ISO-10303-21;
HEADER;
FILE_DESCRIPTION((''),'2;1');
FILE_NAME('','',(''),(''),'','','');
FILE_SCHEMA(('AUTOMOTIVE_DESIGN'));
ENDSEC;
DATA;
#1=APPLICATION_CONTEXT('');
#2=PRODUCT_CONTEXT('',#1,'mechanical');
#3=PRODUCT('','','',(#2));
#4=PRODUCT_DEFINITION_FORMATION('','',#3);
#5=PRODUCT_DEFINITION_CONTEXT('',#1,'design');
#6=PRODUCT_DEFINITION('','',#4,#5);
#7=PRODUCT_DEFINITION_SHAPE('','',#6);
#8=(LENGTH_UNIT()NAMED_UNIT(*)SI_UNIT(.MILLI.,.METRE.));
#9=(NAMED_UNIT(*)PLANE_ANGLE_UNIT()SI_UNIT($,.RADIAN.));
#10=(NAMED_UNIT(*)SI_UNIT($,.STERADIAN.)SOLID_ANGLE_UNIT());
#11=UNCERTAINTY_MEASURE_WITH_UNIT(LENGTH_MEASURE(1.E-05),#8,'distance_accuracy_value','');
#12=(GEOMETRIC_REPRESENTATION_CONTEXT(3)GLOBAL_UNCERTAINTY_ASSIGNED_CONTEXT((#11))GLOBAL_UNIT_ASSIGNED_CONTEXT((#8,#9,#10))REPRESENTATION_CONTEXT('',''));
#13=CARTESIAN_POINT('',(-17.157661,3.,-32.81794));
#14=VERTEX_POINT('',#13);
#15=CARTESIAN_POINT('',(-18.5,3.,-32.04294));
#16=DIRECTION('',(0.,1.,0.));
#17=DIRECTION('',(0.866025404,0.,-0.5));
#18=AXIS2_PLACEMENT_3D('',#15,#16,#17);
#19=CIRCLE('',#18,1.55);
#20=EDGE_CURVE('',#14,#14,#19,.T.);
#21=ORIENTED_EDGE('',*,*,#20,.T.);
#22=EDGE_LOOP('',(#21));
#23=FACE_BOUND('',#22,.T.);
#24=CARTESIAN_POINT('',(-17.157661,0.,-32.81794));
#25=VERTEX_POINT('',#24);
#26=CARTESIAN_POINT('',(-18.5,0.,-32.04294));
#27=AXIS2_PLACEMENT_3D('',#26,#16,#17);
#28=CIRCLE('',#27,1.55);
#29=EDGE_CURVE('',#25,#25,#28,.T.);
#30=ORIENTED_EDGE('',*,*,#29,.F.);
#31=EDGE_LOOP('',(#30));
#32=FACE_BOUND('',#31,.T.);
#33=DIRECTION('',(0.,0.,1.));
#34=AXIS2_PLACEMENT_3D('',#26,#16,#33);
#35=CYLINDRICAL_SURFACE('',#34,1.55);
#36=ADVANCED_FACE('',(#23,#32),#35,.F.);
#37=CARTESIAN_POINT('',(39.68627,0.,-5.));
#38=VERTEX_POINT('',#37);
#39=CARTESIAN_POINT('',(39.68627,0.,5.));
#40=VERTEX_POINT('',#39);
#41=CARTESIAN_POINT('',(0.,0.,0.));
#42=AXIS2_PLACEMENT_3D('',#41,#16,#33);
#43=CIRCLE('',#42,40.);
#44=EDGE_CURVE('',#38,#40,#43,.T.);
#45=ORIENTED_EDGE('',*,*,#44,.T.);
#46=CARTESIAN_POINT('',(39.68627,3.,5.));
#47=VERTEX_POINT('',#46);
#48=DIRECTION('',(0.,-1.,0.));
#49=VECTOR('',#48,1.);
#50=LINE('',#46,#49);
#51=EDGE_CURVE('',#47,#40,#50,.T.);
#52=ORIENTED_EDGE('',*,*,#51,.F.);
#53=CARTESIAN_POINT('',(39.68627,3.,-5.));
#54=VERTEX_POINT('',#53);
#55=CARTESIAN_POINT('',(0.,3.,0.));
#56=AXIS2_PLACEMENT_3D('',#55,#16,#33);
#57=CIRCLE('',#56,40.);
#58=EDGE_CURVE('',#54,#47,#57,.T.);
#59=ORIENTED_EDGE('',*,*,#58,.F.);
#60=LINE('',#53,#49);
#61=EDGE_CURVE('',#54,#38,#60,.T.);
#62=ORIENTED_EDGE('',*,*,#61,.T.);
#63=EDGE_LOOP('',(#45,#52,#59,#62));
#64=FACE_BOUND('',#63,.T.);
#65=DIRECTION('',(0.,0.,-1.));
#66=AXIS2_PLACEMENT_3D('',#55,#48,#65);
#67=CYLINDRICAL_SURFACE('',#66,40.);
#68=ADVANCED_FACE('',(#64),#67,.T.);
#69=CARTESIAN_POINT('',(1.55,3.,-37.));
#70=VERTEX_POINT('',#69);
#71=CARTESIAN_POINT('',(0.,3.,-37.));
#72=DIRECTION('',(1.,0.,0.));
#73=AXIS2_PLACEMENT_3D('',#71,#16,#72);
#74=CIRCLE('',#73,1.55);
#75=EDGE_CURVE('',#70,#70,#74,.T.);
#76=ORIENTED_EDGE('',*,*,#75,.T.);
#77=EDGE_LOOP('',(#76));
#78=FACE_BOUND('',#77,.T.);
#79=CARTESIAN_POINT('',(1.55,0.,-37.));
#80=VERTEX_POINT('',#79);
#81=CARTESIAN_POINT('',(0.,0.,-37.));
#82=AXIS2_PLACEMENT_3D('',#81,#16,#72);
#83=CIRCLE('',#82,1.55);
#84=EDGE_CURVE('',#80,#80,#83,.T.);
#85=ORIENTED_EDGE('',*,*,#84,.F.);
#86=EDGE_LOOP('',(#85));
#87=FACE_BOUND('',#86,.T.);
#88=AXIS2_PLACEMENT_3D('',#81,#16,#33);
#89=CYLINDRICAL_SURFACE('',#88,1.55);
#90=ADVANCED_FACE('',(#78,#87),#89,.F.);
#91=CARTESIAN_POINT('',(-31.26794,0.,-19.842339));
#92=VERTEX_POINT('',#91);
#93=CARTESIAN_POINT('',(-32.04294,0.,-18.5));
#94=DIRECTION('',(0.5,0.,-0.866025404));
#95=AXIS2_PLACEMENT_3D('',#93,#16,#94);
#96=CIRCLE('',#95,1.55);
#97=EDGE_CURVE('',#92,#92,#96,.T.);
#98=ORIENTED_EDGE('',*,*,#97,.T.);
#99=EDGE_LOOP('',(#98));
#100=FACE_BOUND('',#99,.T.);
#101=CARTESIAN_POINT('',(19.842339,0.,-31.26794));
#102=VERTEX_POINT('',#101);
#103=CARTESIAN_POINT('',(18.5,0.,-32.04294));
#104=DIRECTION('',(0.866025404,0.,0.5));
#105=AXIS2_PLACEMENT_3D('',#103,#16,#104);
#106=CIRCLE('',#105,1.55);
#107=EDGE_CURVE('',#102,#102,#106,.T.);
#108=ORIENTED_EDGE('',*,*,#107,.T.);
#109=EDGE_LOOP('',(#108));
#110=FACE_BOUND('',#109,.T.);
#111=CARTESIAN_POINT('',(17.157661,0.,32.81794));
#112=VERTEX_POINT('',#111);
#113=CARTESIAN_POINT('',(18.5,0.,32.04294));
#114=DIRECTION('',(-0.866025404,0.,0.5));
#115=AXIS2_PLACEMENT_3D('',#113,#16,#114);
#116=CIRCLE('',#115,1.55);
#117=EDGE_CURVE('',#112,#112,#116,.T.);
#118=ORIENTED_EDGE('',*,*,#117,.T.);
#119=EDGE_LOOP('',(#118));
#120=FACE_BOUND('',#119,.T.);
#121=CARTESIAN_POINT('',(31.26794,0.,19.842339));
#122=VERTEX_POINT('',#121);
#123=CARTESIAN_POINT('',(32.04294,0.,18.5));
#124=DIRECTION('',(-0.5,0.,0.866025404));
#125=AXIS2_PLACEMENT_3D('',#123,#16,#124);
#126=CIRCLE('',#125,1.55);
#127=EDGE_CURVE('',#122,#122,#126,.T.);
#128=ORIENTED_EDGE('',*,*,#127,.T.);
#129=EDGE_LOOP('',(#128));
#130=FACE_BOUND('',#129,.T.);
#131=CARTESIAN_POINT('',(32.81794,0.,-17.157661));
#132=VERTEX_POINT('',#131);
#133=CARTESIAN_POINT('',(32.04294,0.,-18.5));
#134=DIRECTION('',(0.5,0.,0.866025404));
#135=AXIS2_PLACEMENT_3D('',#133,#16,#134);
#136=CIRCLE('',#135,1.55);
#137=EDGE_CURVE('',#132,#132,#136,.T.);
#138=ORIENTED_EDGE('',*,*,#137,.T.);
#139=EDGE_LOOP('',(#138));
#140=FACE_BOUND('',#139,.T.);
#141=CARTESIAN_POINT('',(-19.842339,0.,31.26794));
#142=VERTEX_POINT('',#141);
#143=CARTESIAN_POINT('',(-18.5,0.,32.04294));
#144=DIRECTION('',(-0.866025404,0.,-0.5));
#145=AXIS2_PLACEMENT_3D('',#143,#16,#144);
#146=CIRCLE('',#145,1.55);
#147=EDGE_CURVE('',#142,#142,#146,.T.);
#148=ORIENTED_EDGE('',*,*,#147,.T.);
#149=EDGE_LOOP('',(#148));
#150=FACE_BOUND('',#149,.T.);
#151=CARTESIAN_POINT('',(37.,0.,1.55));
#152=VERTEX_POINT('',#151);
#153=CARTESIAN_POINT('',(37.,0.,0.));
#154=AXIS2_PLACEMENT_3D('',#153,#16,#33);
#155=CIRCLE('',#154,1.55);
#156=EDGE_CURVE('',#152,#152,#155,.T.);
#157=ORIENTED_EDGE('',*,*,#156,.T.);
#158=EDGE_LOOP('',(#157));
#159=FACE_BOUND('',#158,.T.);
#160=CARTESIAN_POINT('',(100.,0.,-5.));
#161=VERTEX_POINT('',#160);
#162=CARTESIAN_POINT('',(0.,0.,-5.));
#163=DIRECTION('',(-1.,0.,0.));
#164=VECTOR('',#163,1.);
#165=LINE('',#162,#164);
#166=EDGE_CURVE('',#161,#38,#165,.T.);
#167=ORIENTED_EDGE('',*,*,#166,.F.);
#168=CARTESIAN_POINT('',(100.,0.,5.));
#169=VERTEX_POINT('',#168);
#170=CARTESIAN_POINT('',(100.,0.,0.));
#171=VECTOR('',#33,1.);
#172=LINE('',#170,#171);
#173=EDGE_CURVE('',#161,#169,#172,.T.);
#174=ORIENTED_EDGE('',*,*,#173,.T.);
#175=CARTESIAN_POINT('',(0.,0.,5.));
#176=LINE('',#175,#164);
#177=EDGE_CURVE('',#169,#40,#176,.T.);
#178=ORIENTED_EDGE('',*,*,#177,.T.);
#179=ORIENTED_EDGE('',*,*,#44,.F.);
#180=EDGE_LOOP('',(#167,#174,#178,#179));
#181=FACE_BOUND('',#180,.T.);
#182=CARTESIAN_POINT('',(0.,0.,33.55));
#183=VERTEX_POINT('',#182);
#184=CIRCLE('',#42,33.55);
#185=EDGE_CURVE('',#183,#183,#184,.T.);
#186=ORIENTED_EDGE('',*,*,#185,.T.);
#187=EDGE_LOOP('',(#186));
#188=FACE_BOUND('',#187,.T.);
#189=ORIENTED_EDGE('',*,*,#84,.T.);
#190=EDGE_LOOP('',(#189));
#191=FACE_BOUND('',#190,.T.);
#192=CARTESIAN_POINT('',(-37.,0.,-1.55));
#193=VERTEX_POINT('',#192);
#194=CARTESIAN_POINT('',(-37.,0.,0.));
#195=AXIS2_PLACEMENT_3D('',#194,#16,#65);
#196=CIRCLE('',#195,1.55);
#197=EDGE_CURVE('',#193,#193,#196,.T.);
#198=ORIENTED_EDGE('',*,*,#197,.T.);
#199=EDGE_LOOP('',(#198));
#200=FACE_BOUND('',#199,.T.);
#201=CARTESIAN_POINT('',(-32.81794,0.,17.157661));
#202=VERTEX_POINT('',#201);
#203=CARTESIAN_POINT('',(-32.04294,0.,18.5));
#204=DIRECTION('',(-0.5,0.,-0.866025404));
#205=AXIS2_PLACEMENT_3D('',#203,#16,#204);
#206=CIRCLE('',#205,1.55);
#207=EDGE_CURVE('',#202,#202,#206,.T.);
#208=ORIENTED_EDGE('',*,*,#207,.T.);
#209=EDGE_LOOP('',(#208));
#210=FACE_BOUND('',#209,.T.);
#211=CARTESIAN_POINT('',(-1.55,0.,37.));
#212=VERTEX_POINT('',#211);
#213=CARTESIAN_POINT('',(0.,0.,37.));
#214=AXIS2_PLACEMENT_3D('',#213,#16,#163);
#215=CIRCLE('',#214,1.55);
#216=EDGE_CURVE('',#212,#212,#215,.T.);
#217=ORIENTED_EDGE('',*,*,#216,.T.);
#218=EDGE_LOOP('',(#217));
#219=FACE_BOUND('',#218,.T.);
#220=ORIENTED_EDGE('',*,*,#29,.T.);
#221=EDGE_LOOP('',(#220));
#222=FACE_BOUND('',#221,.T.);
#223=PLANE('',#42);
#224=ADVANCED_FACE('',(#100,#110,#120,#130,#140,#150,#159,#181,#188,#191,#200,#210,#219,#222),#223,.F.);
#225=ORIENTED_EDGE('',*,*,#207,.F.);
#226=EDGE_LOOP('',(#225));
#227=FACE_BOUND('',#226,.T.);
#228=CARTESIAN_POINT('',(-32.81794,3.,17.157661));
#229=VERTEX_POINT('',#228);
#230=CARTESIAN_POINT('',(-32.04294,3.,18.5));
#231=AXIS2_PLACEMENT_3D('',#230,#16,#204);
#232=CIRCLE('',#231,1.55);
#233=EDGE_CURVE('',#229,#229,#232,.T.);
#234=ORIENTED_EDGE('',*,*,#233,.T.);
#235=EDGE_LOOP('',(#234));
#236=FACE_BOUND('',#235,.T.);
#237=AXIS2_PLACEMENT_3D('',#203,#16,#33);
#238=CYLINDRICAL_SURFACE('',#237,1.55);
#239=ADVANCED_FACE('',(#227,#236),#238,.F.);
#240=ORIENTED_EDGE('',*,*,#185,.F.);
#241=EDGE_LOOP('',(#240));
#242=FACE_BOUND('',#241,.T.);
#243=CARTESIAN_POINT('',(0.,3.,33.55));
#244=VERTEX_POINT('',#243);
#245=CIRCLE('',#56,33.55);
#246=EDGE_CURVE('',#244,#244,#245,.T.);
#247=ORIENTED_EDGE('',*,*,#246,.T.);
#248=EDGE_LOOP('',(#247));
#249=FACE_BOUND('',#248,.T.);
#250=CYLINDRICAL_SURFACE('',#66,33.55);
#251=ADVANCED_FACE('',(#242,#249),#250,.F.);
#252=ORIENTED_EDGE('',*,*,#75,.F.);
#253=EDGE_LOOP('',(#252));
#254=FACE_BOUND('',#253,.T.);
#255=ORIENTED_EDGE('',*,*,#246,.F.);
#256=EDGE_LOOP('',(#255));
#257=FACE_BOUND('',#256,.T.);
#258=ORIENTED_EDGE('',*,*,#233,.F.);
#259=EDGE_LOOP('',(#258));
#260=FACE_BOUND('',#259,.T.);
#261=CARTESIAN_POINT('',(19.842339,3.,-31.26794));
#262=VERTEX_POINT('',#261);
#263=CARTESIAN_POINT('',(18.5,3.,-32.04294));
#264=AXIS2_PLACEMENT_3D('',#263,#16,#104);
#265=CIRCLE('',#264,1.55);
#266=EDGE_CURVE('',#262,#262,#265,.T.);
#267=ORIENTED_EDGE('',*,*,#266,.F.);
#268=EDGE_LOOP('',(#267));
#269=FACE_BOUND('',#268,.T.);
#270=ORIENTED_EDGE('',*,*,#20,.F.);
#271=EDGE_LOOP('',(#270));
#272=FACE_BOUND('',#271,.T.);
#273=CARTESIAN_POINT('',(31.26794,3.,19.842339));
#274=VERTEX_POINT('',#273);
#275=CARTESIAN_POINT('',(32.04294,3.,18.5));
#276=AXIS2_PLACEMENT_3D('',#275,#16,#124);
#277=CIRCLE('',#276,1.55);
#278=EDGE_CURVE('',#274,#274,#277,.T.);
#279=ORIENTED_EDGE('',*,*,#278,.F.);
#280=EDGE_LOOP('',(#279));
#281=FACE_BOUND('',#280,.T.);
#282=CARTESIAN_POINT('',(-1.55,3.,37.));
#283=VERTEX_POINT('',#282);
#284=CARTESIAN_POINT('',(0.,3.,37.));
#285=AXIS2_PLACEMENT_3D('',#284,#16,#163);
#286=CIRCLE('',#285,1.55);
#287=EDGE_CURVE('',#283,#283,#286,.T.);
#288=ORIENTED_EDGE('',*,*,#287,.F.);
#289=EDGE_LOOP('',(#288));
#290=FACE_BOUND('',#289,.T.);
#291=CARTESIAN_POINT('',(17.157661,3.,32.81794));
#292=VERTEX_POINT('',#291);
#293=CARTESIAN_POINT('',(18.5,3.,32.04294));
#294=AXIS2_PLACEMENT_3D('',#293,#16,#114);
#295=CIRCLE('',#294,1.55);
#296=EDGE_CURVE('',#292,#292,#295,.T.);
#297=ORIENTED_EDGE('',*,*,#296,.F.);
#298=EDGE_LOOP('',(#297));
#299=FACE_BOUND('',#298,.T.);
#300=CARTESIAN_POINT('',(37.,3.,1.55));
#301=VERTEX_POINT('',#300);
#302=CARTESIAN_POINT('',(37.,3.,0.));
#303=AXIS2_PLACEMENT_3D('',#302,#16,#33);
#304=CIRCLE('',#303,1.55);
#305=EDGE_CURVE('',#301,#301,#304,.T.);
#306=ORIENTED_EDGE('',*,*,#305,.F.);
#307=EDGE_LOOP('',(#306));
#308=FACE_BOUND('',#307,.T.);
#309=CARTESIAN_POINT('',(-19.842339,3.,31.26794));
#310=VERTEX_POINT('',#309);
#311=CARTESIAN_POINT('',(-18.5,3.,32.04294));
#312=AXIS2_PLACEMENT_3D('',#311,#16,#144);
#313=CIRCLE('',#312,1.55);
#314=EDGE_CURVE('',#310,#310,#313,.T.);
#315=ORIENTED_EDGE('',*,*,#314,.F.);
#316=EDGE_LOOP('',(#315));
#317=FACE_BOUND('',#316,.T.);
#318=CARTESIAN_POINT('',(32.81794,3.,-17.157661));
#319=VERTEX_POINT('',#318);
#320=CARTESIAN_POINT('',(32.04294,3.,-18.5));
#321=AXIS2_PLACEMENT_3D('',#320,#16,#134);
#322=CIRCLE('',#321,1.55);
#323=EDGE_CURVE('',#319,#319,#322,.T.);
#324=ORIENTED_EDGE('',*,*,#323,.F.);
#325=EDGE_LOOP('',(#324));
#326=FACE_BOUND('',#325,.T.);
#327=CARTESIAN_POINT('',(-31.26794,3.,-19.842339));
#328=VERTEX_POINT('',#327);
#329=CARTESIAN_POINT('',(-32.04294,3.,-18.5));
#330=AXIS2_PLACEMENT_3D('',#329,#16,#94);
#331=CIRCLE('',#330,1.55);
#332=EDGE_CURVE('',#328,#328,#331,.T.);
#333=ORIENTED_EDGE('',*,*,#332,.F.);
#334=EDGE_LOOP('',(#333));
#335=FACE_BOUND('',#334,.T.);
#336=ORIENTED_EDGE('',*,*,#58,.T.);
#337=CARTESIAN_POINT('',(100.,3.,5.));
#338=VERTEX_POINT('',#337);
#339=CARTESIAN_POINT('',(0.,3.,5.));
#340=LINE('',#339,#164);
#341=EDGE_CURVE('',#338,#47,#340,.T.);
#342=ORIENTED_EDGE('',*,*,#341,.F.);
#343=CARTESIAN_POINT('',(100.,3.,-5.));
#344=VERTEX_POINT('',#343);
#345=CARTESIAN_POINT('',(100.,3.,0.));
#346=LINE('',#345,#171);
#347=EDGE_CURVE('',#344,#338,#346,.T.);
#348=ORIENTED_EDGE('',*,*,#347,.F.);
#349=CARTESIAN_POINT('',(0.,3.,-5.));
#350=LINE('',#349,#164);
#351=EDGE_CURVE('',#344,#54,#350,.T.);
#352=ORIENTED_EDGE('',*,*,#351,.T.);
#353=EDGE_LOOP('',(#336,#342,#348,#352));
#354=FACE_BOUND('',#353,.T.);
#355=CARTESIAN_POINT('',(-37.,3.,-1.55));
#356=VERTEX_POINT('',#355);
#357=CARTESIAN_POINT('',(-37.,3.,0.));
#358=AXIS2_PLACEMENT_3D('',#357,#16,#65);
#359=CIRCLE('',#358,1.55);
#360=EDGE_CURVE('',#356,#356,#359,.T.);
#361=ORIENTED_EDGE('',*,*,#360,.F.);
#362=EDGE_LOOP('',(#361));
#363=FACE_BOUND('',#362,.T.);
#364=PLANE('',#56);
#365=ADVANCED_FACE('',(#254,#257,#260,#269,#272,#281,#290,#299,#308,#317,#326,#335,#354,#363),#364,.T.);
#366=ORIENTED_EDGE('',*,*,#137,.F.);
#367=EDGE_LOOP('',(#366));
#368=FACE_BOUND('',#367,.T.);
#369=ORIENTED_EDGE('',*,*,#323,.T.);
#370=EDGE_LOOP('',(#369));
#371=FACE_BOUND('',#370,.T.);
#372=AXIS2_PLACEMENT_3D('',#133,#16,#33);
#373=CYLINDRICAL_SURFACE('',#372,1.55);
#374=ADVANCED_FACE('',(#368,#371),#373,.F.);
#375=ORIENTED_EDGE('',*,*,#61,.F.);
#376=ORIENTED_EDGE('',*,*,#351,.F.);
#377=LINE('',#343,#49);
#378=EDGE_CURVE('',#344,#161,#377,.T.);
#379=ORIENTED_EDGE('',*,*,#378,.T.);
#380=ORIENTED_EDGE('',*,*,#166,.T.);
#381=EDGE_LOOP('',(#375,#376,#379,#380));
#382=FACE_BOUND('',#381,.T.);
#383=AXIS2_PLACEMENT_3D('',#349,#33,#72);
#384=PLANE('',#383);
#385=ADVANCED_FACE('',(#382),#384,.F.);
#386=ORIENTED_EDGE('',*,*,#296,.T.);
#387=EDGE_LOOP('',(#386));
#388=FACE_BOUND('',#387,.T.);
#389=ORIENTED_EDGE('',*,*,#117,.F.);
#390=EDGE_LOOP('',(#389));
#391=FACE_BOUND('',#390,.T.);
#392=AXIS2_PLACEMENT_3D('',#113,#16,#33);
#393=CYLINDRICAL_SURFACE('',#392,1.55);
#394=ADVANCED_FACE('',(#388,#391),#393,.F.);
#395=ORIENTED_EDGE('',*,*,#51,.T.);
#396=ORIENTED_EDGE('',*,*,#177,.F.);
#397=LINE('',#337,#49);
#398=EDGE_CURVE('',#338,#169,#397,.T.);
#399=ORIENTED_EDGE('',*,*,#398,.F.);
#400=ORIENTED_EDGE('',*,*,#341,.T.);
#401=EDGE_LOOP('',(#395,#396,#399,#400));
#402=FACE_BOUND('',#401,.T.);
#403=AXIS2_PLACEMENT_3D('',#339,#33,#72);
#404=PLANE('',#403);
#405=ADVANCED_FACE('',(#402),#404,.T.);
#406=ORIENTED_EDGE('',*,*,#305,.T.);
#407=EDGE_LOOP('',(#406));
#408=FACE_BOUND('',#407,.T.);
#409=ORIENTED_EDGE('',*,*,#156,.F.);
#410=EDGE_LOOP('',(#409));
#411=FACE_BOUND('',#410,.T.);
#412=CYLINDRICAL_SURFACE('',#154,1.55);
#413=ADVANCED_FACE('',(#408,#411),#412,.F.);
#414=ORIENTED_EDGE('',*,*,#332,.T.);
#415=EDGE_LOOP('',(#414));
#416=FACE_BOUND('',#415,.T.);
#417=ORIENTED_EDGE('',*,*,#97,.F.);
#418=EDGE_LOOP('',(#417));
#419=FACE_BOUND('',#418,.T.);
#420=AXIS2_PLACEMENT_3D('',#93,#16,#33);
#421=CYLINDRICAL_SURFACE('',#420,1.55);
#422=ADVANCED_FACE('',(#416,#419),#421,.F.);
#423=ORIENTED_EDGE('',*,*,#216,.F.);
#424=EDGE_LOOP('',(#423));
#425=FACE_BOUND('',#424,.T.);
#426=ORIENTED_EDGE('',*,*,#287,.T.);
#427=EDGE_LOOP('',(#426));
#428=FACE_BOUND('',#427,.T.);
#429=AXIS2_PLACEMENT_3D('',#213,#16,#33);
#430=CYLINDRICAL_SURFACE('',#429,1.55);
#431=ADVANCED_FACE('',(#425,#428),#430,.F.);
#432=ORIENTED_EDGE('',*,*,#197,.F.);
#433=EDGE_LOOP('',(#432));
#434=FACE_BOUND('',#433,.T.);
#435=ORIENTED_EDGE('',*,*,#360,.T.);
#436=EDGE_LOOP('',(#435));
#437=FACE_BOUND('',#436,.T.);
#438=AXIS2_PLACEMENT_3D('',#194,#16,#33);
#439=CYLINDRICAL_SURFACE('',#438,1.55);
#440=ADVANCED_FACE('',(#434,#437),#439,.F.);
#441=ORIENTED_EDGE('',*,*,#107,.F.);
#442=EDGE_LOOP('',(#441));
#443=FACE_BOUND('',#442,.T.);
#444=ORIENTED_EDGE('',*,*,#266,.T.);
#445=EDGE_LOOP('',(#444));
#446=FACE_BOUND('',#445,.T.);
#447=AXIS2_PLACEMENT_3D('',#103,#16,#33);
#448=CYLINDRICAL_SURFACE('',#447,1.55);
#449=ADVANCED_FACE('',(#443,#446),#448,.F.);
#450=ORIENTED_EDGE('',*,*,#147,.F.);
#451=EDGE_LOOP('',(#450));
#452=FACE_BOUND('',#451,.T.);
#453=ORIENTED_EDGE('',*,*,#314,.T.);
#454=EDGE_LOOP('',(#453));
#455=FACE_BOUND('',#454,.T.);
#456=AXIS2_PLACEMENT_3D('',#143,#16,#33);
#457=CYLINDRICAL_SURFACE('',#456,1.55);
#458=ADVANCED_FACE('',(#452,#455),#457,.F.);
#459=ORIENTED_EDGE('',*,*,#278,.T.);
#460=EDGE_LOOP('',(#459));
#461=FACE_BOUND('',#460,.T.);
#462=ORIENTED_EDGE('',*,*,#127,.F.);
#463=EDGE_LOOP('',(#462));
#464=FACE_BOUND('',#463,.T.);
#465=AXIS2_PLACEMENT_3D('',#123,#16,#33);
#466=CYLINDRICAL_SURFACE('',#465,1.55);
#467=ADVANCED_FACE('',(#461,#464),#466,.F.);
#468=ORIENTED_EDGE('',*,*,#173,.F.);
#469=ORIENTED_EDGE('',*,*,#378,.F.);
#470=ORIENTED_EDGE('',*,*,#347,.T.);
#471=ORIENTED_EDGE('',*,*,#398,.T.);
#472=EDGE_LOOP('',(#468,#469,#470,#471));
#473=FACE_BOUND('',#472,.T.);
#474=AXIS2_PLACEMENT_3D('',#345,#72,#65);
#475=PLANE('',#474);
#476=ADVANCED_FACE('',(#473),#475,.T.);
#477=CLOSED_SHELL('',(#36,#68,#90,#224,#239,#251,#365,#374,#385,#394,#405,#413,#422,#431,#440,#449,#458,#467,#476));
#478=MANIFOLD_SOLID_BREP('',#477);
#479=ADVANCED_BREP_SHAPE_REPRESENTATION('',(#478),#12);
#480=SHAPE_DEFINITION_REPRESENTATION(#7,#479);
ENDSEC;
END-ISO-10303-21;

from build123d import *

# Parameters (mm, degrees)
SKETCH1_R           = 40
SKETCH1_R_2         = 33.55
SKETCH1_W           = 60.313730334
SKETCH1_H           = 10
BOSS_EXTRUDE1_DEPTH = 3
SKETCH2_R           = 1.55
CUT_EXTRUDE1_DEPTH  = 108.745069493
CIRPATTERN1_COUNT   = 12


with BuildPart() as part:
    # Sketch1 → Boss-Extrude1 (new body)
    # profile 1 of 2: a face of its own
    with BuildSketch(Plane(origin=(0, 0, 0), x_dir=(1, 0, 0), z_dir=(0, 1, 0))):
        Circle(SKETCH1_R)
        with Locations(Location((0, 0, 0), (0, 0, 270))):
            Circle(SKETCH1_R_2, mode=Mode.SUBTRACT)
    # profile 2 of 2: a face of its own
    with BuildSketch(Plane(origin=(0, 0, 0), x_dir=(1, 0, 0), z_dir=(0, 1, 0))):
        with Locations((69.843134833, 0)):
            Rectangle(SKETCH1_W, SKETCH1_H)
    extrude(amount=BOSS_EXTRUDE1_DEPTH)

    # Sketch2 → Cut-Extrude1 (cut, through all)
    with BuildSketch(Plane(origin=(0, 3, 0), x_dir=(1, 0, 0), z_dir=(0, 1, 0))):
        with Locations(Location((37, 0, 0), (0, 0, 270))):
            Circle(SKETCH2_R)
    cut_extrude1 = extrude(amount=-CUT_EXTRUDE1_DEPTH, mode=Mode.SUBTRACT)

    # CirPattern1: Cut-Extrude1 ×12 about axis
    cirpattern1_axis = Axis((0, 0, 0), (0, 1, 0))
    for i in range(1, CIRPATTERN1_COUNT):
        add(cut_extrude1.rotate(cirpattern1_axis, i * 360 / CIRPATTERN1_COUNT), mode=Mode.SUBTRACT)


solid = part.part
